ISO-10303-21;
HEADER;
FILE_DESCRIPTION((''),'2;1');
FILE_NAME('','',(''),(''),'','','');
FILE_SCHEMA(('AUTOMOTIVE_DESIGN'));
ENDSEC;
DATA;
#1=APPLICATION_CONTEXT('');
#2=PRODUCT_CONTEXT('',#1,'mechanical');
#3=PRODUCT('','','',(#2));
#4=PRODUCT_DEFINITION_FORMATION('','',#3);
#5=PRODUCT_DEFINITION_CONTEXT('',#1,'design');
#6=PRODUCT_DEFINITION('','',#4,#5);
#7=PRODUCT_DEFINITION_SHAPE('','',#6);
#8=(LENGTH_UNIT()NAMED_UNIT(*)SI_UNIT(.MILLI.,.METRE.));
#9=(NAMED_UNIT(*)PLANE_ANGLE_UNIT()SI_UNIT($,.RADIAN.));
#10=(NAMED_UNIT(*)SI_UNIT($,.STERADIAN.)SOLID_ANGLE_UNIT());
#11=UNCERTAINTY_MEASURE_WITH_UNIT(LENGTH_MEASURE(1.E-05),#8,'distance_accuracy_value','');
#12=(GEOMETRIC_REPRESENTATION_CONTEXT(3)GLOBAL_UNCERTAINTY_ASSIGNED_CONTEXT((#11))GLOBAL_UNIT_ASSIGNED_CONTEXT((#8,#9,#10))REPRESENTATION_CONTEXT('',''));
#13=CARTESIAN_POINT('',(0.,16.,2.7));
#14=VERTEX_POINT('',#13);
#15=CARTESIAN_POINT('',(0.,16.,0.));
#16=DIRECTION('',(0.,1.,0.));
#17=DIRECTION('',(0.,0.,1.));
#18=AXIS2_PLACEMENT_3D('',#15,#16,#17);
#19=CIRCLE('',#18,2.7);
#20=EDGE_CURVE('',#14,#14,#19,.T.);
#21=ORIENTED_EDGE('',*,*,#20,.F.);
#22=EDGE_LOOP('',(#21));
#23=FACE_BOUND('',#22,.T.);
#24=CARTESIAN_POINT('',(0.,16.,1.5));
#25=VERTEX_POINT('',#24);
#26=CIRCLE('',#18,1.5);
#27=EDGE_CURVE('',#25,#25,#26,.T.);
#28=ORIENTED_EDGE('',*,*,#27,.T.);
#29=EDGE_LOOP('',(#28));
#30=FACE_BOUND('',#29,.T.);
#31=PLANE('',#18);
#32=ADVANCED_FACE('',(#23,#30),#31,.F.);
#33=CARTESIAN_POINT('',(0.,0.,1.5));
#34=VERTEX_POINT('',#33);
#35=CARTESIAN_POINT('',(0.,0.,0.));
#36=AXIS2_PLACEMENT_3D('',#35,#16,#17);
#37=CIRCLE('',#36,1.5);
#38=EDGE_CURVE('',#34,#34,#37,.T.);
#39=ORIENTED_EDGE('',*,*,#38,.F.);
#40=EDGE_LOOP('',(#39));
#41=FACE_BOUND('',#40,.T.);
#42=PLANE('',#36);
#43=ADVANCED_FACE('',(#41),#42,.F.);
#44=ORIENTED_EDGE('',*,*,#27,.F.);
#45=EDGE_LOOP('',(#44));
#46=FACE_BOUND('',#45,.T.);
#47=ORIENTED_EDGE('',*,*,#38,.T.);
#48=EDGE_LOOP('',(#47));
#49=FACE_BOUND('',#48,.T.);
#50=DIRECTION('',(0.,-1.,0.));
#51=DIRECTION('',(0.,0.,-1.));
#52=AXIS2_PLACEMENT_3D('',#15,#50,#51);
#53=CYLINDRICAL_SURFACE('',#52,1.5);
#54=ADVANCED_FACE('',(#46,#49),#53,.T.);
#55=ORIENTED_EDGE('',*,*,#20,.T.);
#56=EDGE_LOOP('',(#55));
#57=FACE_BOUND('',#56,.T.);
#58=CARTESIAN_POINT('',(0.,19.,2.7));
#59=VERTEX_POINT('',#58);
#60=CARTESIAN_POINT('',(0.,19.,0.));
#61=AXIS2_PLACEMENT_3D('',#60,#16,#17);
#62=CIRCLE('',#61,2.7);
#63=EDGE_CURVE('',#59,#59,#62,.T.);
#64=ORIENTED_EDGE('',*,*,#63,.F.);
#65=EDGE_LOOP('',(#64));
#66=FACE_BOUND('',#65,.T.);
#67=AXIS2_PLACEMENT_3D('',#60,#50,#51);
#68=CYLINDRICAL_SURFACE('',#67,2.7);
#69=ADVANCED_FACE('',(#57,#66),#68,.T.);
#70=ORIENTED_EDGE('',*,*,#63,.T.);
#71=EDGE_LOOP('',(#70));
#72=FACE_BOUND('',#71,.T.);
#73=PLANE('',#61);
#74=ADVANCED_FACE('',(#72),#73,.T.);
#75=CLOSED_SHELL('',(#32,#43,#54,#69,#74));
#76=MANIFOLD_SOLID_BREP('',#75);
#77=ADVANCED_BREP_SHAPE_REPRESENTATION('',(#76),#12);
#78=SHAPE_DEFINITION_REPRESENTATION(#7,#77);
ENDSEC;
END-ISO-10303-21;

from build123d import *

# Parameters (mm, degrees)
SKETCH1_R           = 1.5
BOSS_EXTRUDE1_DEPTH = 16
SKETCH2_R           = 2.7
BOSS_EXTRUDE2_DEPTH = 3


with BuildPart() as part:
    # Sketch1 → Boss-Extrude1 (new body)
    with BuildSketch(Plane(origin=(0, 0, 0), x_dir=(1, 0, 0), z_dir=(0, 1, 0))):
        Circle(SKETCH1_R)
    extrude(amount=BOSS_EXTRUDE1_DEPTH)

    # Sketch2 → Boss-Extrude2 (add)
    with BuildSketch(Plane(origin=(0, 16, 0), x_dir=(1, 0, 0), z_dir=(0, 1, 0))):
        Circle(SKETCH2_R)
    extrude(amount=BOSS_EXTRUDE2_DEPTH)


solid = part.part
